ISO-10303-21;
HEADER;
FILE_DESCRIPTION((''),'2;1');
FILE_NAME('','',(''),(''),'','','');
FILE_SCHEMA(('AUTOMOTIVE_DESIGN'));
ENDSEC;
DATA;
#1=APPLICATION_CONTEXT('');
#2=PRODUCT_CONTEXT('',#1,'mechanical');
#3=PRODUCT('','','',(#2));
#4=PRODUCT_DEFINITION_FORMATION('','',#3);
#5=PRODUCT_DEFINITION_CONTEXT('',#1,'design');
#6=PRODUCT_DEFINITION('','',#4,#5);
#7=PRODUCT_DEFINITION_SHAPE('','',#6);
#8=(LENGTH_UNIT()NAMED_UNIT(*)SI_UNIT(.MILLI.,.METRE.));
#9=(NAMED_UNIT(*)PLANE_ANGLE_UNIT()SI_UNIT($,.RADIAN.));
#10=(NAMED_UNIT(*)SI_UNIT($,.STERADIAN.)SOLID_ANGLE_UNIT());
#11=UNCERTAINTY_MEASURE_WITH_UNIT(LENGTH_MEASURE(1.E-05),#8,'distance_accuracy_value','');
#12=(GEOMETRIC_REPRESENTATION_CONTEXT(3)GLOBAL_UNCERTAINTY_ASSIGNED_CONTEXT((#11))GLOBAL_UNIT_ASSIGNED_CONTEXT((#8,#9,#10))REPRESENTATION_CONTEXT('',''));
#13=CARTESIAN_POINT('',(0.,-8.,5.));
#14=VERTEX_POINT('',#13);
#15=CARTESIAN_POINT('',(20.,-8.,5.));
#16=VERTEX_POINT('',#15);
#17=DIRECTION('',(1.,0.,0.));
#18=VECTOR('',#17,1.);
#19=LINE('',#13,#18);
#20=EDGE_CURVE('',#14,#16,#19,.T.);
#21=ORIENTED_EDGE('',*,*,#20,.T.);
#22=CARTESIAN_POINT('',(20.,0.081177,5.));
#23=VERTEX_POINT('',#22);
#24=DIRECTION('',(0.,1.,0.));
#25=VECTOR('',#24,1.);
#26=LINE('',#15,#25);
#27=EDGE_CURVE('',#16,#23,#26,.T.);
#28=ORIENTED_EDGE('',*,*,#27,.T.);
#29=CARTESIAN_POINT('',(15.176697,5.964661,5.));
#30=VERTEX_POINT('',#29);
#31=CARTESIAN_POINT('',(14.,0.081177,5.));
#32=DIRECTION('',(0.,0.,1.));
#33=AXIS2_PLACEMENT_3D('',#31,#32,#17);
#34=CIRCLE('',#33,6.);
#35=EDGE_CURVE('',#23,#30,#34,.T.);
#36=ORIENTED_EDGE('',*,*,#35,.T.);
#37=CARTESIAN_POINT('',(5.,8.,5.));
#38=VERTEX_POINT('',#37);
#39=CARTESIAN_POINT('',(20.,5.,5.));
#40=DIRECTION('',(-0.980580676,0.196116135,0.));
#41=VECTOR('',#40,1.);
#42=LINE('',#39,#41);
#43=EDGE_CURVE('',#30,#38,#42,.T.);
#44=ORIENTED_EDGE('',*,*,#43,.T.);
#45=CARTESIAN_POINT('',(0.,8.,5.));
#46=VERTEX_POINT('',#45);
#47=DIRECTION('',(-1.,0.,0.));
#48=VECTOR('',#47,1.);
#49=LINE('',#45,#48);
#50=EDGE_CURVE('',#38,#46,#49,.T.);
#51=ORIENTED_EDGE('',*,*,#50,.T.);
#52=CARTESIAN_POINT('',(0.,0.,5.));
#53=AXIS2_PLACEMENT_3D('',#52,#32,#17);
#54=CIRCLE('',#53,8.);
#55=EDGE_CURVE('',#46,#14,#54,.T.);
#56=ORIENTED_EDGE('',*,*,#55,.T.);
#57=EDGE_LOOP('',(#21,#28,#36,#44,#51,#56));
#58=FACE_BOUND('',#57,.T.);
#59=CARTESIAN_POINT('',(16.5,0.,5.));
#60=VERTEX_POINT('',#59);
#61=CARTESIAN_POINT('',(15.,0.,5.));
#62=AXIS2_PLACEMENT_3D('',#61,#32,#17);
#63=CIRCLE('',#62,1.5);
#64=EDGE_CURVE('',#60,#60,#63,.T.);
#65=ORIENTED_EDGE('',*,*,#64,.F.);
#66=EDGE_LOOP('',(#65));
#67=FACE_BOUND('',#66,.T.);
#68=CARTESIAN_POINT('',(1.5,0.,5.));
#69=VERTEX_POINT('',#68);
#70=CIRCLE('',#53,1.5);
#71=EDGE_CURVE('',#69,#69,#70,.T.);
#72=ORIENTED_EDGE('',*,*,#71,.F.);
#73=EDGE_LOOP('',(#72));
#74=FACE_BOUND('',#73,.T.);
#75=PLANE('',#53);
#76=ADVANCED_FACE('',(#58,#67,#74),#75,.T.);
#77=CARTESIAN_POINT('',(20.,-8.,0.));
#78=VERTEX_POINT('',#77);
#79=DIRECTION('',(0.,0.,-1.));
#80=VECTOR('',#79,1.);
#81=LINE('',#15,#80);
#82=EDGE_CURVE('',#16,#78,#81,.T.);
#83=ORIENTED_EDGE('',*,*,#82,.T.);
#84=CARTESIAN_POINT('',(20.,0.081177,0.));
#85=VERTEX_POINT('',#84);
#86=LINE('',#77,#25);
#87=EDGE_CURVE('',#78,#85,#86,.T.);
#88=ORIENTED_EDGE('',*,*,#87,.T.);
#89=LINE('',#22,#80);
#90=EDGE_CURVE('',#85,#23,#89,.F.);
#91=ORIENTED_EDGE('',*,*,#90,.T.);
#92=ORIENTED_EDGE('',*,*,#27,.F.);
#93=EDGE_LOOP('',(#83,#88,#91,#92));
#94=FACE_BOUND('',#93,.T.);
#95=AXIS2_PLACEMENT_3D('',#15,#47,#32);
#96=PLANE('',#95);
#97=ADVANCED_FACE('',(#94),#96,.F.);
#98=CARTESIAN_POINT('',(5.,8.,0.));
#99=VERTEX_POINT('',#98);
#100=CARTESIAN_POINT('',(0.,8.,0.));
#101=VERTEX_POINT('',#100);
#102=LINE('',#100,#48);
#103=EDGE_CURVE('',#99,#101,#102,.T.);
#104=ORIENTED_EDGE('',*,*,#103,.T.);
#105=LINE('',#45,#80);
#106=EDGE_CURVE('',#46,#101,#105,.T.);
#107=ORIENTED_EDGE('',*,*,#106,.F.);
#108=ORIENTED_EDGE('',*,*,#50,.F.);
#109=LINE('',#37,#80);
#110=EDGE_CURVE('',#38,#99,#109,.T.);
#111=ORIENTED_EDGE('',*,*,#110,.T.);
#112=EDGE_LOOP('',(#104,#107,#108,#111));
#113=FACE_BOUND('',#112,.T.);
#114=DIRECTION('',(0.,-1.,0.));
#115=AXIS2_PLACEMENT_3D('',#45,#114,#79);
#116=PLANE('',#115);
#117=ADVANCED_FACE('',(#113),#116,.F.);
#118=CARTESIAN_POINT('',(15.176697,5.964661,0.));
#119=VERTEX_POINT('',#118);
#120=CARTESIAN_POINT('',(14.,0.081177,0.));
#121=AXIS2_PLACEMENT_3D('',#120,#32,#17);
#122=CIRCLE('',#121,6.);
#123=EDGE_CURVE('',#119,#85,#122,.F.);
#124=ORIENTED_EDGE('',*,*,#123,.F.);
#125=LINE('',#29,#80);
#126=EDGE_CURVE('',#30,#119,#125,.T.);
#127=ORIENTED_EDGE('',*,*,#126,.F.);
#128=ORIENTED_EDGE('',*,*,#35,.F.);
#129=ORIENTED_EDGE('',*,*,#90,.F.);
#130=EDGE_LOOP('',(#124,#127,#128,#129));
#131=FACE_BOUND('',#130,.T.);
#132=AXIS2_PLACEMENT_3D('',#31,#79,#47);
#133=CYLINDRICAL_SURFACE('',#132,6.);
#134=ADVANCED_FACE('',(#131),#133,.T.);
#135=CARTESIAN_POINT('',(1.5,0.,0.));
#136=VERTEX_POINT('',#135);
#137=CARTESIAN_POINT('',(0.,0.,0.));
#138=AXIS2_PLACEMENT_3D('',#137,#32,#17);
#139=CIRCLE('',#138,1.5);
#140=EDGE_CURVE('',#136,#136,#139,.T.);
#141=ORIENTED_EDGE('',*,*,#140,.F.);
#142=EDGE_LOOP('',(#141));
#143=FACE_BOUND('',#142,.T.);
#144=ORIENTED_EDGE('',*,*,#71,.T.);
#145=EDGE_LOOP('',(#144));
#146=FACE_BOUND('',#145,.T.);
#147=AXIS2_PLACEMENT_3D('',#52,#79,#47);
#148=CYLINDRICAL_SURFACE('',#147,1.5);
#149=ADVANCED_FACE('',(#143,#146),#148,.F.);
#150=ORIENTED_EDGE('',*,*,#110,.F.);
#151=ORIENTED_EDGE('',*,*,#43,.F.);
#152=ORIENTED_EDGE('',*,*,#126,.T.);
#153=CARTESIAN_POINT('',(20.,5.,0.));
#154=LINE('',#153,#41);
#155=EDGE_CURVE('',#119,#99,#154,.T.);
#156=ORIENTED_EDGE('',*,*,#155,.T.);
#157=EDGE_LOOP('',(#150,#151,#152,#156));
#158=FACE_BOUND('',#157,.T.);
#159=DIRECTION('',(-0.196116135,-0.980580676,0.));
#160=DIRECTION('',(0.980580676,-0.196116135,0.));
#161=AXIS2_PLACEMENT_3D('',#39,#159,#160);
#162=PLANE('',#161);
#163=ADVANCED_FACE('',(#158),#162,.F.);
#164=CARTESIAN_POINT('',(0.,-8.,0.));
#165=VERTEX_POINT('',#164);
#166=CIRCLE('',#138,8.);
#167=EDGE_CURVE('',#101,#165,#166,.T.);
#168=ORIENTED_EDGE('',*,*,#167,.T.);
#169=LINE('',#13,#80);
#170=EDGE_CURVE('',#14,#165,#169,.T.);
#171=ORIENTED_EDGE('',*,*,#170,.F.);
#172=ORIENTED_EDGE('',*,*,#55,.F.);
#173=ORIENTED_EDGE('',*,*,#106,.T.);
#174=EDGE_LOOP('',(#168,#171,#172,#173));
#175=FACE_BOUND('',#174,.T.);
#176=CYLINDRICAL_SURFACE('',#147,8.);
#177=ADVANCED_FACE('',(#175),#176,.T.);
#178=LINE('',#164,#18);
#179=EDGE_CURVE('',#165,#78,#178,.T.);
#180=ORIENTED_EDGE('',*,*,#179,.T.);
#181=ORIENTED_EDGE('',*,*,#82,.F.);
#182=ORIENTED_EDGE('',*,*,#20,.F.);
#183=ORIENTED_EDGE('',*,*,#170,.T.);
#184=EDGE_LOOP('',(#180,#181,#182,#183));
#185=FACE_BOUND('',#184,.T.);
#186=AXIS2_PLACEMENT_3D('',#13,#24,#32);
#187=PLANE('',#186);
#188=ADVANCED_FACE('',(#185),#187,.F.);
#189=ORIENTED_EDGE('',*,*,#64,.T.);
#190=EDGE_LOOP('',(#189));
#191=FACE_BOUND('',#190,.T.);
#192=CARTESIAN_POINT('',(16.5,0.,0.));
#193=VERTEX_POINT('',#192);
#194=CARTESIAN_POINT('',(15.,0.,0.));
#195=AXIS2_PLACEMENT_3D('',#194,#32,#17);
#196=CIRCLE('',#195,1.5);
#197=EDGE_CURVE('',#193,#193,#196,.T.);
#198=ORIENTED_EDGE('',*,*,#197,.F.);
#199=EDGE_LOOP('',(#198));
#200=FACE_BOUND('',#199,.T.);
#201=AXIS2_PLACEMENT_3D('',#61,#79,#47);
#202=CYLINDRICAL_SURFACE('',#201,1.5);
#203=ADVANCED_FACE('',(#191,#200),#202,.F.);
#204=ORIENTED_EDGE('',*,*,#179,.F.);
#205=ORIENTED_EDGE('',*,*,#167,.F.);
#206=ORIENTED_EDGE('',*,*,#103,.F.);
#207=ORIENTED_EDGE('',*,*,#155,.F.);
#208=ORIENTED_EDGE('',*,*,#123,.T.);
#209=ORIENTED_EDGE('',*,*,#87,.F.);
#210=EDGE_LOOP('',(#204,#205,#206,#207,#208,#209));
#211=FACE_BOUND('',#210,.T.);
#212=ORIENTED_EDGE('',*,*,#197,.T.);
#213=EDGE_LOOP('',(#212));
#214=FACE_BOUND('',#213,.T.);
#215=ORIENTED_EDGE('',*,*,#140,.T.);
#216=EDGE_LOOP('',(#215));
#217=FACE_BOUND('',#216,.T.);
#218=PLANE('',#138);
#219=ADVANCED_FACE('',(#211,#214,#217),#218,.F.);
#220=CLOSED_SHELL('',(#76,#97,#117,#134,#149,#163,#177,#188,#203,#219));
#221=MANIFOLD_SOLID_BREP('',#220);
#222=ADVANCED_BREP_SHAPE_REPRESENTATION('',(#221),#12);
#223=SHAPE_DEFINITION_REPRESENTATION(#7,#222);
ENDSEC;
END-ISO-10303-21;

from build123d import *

# Parameters (mm, degrees)
ESQUISSE1_R        = 1.5
BOSS_EXTRU_1_DEPTH = 5
CONG_1_R           = 6


with BuildPart() as part:
    # Esquisse1 → Boss.-Extru.1 (new body)
    with BuildSketch(Plane.XY):
        with BuildLine():
            Line((0, 8), (5, 8))
            Line((5, 8), (20, 5))
            Line((20, 5), (20, -8))
            Line((20, -8), (0, -8))
            ThreePointArc((0, -8), (-8, 0), (0, 8))
        make_face()
        Circle(ESQUISSE1_R, mode=Mode.SUBTRACT)
        with Locations((15, 0)):
            Circle(ESQUISSE1_R, mode=Mode.SUBTRACT)
    extrude(amount=BOSS_EXTRU_1_DEPTH)

    # Congé1
    cong_1_edges = [part.edges().sort_by_distance(p)[0] for p in [
        (20, 5, 2.5),
    ]]
    fillet(cong_1_edges, radius=CONG_1_R)


solid = part.part
